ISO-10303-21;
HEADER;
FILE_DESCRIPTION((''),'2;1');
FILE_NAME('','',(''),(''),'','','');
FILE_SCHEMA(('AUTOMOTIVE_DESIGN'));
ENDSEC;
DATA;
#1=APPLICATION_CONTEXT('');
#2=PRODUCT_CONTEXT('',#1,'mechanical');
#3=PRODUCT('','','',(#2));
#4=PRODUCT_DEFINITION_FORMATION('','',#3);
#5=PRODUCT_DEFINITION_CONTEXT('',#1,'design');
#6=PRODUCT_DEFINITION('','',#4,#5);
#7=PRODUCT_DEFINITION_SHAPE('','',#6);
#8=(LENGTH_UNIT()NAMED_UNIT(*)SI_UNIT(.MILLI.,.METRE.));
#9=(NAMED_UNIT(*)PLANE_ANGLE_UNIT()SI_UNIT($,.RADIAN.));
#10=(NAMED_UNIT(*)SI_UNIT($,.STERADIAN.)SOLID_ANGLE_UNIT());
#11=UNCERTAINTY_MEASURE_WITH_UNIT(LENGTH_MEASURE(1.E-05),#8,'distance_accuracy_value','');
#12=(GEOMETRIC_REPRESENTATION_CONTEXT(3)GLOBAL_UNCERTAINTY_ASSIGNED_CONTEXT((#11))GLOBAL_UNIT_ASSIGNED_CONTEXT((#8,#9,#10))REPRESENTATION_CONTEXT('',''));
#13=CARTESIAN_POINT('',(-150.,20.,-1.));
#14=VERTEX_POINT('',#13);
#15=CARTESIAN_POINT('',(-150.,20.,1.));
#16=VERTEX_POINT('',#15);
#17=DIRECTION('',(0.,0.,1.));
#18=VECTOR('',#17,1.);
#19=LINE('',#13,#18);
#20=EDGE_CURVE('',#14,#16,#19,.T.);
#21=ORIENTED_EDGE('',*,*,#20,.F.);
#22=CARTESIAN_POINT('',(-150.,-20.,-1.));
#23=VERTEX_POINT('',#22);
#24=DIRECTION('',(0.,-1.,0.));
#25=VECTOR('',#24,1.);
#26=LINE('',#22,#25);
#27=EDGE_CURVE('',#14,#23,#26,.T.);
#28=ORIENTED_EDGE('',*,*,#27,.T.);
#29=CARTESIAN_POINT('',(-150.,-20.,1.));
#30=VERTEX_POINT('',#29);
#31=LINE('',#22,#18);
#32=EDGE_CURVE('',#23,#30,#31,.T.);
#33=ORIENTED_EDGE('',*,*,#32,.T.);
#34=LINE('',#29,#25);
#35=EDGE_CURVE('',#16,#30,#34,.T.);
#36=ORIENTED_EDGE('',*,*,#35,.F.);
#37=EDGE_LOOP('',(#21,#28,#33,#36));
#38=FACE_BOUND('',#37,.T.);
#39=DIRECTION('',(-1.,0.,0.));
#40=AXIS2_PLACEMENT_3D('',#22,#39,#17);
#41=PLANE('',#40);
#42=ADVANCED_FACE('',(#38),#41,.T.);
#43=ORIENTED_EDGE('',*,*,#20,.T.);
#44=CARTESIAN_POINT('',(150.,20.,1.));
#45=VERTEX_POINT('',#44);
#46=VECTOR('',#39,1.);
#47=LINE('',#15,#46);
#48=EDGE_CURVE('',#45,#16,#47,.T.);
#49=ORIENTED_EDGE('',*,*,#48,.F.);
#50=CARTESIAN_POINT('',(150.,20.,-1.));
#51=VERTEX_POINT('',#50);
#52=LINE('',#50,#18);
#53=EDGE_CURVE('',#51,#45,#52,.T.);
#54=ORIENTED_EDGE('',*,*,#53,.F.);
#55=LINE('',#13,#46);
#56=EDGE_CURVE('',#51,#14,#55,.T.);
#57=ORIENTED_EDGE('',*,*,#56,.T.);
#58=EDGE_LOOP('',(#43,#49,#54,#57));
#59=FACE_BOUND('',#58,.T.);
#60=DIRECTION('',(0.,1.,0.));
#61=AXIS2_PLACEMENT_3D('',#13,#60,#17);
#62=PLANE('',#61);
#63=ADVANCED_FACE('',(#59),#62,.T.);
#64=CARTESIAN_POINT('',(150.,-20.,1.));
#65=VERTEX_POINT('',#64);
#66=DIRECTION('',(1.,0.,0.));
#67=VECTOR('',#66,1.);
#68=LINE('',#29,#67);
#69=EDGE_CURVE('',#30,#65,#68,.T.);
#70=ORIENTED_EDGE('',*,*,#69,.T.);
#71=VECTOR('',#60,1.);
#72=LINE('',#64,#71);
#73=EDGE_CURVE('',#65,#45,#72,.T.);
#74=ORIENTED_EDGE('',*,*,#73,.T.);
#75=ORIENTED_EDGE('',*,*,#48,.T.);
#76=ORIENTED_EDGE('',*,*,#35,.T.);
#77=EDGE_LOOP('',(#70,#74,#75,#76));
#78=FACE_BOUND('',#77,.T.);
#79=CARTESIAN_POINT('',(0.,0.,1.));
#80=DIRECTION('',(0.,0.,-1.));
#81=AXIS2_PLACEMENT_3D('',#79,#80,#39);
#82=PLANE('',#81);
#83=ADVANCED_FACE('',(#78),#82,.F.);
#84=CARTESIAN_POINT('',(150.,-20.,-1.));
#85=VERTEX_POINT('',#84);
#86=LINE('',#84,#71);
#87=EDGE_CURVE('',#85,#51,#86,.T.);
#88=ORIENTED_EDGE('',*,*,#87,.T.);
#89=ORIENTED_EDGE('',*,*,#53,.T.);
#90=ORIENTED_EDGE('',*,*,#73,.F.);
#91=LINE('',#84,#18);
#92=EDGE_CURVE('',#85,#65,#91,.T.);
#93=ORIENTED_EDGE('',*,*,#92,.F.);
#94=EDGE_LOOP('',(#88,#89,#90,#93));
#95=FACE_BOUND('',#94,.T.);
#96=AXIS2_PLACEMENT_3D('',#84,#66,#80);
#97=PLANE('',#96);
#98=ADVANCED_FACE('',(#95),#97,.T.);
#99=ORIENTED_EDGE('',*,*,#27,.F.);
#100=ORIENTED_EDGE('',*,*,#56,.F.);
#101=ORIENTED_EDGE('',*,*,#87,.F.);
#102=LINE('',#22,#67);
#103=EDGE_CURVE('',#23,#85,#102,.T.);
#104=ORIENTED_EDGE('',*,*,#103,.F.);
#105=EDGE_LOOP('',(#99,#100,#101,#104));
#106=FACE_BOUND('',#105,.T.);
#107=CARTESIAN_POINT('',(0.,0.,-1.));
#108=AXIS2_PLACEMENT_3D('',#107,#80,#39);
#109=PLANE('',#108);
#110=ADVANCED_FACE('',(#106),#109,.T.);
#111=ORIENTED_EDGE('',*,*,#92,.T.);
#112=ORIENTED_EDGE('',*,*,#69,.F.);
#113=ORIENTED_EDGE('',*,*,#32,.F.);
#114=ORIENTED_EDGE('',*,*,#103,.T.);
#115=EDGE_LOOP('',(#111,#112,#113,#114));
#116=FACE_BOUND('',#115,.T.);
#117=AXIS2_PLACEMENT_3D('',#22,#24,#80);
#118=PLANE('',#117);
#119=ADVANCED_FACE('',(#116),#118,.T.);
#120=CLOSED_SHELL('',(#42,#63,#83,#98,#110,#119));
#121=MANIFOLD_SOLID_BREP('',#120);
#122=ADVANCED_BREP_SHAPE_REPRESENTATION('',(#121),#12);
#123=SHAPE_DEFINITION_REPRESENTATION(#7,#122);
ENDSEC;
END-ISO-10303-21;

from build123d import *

# Parameters (mm, degrees)
EXTRUDE_1_DEPTH      = 1
EXTRUDE_1_DEPTH_BACK = 1
SKETCH_1_W           = 300
SKETCH_1_H           = 40


with BuildPart() as part:
    # ｽｹｯﾁ1 → ﾎﾞｽ - 押し出し1 (new, two sides: drawn at the far end of the back side and taken through both)
    with BuildSketch(Plane.XY.offset(-EXTRUDE_1_DEPTH_BACK)):
        Rectangle(SKETCH_1_W, SKETCH_1_H)
    extrude(amount=EXTRUDE_1_DEPTH + EXTRUDE_1_DEPTH_BACK)


solid = part.part
